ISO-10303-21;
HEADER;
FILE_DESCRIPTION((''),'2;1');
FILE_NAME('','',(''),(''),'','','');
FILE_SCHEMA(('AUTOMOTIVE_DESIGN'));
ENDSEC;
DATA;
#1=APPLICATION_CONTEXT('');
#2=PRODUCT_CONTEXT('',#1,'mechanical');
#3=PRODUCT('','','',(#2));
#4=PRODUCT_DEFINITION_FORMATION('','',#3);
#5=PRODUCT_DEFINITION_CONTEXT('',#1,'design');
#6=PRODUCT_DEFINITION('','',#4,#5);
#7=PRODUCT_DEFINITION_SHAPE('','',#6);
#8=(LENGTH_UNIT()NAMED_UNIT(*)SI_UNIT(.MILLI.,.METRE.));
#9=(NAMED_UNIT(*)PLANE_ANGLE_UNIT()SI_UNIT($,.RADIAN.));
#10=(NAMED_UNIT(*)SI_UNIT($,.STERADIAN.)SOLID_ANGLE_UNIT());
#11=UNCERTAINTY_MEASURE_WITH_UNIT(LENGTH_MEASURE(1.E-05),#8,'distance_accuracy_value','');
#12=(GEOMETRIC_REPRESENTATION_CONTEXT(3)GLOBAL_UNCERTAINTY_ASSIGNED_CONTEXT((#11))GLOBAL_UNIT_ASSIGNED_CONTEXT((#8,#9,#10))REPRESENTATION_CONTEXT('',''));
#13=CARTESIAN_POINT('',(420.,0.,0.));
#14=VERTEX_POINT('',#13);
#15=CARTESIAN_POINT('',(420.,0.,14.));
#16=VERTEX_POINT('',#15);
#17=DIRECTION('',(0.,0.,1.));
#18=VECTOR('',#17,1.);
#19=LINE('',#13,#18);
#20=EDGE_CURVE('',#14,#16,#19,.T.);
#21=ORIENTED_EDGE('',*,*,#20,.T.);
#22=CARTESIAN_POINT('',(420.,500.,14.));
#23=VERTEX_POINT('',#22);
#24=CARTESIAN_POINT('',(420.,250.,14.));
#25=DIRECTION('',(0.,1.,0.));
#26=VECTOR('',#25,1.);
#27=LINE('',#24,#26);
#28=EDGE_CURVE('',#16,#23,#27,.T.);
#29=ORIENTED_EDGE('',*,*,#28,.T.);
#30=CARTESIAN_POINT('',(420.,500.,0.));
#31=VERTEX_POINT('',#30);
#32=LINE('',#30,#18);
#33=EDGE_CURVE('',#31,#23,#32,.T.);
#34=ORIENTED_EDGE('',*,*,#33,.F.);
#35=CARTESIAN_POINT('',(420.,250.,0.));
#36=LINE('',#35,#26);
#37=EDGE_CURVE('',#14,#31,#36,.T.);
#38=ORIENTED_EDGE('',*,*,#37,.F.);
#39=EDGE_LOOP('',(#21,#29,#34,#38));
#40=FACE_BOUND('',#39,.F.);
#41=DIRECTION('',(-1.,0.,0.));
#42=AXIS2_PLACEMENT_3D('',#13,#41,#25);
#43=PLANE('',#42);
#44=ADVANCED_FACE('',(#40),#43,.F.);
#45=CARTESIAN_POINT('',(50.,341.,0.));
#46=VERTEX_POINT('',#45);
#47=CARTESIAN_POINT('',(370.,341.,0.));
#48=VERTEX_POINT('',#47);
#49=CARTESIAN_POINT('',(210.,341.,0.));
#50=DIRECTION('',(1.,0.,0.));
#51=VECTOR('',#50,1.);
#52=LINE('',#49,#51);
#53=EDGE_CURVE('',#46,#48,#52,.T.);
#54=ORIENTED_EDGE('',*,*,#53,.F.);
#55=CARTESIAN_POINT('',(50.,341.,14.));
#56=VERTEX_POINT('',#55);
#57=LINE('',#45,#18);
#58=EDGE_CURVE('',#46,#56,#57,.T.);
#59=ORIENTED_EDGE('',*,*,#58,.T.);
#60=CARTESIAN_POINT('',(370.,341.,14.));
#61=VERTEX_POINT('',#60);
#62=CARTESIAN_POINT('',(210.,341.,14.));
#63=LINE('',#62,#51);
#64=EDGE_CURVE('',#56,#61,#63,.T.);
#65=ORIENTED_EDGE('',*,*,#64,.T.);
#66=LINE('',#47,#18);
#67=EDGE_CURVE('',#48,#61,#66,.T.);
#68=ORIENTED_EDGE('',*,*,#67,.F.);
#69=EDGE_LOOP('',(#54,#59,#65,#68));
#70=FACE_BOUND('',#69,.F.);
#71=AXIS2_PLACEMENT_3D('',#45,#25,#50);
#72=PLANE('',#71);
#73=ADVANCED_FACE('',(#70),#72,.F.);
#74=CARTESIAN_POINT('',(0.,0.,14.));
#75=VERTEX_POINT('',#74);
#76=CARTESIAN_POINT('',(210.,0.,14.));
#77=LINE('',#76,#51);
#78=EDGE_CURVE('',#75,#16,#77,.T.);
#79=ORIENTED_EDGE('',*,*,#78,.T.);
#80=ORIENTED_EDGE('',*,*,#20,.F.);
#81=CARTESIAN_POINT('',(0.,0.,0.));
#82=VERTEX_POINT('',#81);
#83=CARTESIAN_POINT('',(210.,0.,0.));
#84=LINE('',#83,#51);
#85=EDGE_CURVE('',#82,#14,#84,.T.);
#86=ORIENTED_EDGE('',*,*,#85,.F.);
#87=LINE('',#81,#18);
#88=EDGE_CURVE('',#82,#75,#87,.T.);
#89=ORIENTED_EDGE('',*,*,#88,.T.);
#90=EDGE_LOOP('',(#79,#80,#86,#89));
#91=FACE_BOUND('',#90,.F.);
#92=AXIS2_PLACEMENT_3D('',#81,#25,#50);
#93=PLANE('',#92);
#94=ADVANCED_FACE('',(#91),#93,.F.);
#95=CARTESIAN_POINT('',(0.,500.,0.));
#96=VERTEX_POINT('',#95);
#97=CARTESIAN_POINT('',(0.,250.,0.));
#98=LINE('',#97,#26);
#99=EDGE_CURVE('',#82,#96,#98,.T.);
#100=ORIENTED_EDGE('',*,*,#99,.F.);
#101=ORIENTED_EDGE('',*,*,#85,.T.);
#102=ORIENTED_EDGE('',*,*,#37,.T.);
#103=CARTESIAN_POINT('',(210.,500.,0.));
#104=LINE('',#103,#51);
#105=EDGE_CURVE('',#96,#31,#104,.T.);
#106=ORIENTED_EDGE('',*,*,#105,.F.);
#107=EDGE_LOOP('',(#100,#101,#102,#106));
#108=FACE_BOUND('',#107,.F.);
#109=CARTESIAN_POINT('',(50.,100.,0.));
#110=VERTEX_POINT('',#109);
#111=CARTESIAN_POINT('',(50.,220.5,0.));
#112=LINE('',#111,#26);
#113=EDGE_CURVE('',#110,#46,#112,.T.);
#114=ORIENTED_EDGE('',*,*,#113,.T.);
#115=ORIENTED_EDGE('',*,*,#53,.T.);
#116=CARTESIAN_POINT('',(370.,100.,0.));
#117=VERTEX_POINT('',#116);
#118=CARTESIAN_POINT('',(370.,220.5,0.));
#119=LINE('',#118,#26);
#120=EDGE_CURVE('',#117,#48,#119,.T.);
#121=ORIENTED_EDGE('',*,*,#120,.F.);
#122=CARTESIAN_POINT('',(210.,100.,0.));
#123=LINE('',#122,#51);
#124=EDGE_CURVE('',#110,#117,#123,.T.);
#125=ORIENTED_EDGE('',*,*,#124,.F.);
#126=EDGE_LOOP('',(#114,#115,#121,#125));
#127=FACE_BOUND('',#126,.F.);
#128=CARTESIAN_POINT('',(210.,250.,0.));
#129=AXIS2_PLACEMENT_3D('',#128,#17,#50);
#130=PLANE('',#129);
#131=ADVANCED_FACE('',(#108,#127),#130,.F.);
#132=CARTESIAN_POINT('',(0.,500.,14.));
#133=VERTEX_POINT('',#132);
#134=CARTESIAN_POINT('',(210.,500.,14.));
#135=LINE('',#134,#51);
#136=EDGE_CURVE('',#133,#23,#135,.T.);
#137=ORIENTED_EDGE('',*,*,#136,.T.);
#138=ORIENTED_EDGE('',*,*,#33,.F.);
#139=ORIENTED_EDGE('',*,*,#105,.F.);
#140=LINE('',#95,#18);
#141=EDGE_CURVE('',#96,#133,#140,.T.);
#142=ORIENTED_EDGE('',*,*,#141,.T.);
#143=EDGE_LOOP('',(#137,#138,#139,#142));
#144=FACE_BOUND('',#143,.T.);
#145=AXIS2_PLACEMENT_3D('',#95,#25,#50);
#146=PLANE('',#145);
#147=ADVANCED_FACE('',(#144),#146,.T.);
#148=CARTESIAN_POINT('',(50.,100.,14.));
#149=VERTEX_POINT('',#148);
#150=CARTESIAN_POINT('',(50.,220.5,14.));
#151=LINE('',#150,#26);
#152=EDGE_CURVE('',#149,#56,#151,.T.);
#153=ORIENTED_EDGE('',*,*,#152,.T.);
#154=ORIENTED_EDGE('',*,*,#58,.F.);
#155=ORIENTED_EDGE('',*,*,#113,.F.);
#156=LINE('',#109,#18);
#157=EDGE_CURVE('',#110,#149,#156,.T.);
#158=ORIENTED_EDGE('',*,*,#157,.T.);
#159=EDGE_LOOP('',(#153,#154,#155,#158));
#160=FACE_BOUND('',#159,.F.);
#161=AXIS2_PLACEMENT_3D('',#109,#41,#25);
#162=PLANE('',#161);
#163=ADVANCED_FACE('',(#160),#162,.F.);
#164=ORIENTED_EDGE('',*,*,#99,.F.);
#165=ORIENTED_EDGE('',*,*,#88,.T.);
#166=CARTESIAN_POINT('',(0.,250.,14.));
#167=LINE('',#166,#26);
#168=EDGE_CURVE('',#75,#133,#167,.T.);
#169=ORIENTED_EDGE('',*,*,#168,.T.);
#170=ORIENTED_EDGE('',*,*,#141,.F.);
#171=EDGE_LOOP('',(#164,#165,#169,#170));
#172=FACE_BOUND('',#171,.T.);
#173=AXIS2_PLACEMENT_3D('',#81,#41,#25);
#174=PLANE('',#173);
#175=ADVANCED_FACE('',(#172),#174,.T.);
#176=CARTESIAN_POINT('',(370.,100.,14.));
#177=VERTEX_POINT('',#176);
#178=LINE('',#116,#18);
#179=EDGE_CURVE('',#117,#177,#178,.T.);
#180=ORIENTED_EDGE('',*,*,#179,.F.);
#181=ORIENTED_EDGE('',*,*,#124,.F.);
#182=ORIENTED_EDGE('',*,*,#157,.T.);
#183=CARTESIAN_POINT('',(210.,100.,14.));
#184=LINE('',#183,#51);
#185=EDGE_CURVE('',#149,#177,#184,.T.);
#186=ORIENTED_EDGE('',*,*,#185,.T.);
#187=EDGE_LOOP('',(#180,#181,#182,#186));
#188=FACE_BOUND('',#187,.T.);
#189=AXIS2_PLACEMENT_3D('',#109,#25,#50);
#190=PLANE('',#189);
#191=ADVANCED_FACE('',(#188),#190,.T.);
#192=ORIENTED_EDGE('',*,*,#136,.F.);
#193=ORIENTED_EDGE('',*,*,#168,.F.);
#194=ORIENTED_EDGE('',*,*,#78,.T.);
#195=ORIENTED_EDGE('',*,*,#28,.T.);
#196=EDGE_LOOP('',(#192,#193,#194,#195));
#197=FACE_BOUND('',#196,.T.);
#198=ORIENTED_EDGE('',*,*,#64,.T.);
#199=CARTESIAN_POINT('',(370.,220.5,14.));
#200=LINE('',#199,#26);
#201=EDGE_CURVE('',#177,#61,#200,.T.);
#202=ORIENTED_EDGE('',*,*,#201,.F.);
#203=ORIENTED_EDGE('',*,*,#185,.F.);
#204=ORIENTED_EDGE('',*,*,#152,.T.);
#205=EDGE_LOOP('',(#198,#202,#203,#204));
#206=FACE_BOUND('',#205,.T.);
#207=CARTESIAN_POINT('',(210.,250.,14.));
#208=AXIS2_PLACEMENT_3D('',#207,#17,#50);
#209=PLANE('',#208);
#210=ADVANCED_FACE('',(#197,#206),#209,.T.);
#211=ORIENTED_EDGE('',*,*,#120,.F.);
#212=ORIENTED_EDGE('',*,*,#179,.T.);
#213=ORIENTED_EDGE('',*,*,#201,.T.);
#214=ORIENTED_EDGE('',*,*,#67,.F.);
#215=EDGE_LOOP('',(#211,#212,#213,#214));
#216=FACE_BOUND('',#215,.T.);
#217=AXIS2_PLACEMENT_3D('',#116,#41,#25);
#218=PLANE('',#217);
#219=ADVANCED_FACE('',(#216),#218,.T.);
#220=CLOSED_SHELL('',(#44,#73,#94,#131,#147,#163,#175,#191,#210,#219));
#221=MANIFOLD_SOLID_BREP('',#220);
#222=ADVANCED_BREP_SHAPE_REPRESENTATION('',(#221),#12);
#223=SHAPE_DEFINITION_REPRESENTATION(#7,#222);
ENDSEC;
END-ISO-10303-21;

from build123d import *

# Parameters (mm, degrees)
SKETCH_W   = 420
SKETCH_H   = 500
SKETCH_W_2 = 320
SKETCH_H_2 = 241
PAD_DEPTH  = 14


with BuildPart() as part:
    # Sketch → Pad (new body)
    with BuildSketch(Plane.XY):
        with Locations((210, 250)):
            Rectangle(SKETCH_W, SKETCH_H)
        with Locations((210, 220.5)):
            Rectangle(SKETCH_W_2, SKETCH_H_2, mode=Mode.SUBTRACT)
    extrude(amount=PAD_DEPTH)


solid = part.part
